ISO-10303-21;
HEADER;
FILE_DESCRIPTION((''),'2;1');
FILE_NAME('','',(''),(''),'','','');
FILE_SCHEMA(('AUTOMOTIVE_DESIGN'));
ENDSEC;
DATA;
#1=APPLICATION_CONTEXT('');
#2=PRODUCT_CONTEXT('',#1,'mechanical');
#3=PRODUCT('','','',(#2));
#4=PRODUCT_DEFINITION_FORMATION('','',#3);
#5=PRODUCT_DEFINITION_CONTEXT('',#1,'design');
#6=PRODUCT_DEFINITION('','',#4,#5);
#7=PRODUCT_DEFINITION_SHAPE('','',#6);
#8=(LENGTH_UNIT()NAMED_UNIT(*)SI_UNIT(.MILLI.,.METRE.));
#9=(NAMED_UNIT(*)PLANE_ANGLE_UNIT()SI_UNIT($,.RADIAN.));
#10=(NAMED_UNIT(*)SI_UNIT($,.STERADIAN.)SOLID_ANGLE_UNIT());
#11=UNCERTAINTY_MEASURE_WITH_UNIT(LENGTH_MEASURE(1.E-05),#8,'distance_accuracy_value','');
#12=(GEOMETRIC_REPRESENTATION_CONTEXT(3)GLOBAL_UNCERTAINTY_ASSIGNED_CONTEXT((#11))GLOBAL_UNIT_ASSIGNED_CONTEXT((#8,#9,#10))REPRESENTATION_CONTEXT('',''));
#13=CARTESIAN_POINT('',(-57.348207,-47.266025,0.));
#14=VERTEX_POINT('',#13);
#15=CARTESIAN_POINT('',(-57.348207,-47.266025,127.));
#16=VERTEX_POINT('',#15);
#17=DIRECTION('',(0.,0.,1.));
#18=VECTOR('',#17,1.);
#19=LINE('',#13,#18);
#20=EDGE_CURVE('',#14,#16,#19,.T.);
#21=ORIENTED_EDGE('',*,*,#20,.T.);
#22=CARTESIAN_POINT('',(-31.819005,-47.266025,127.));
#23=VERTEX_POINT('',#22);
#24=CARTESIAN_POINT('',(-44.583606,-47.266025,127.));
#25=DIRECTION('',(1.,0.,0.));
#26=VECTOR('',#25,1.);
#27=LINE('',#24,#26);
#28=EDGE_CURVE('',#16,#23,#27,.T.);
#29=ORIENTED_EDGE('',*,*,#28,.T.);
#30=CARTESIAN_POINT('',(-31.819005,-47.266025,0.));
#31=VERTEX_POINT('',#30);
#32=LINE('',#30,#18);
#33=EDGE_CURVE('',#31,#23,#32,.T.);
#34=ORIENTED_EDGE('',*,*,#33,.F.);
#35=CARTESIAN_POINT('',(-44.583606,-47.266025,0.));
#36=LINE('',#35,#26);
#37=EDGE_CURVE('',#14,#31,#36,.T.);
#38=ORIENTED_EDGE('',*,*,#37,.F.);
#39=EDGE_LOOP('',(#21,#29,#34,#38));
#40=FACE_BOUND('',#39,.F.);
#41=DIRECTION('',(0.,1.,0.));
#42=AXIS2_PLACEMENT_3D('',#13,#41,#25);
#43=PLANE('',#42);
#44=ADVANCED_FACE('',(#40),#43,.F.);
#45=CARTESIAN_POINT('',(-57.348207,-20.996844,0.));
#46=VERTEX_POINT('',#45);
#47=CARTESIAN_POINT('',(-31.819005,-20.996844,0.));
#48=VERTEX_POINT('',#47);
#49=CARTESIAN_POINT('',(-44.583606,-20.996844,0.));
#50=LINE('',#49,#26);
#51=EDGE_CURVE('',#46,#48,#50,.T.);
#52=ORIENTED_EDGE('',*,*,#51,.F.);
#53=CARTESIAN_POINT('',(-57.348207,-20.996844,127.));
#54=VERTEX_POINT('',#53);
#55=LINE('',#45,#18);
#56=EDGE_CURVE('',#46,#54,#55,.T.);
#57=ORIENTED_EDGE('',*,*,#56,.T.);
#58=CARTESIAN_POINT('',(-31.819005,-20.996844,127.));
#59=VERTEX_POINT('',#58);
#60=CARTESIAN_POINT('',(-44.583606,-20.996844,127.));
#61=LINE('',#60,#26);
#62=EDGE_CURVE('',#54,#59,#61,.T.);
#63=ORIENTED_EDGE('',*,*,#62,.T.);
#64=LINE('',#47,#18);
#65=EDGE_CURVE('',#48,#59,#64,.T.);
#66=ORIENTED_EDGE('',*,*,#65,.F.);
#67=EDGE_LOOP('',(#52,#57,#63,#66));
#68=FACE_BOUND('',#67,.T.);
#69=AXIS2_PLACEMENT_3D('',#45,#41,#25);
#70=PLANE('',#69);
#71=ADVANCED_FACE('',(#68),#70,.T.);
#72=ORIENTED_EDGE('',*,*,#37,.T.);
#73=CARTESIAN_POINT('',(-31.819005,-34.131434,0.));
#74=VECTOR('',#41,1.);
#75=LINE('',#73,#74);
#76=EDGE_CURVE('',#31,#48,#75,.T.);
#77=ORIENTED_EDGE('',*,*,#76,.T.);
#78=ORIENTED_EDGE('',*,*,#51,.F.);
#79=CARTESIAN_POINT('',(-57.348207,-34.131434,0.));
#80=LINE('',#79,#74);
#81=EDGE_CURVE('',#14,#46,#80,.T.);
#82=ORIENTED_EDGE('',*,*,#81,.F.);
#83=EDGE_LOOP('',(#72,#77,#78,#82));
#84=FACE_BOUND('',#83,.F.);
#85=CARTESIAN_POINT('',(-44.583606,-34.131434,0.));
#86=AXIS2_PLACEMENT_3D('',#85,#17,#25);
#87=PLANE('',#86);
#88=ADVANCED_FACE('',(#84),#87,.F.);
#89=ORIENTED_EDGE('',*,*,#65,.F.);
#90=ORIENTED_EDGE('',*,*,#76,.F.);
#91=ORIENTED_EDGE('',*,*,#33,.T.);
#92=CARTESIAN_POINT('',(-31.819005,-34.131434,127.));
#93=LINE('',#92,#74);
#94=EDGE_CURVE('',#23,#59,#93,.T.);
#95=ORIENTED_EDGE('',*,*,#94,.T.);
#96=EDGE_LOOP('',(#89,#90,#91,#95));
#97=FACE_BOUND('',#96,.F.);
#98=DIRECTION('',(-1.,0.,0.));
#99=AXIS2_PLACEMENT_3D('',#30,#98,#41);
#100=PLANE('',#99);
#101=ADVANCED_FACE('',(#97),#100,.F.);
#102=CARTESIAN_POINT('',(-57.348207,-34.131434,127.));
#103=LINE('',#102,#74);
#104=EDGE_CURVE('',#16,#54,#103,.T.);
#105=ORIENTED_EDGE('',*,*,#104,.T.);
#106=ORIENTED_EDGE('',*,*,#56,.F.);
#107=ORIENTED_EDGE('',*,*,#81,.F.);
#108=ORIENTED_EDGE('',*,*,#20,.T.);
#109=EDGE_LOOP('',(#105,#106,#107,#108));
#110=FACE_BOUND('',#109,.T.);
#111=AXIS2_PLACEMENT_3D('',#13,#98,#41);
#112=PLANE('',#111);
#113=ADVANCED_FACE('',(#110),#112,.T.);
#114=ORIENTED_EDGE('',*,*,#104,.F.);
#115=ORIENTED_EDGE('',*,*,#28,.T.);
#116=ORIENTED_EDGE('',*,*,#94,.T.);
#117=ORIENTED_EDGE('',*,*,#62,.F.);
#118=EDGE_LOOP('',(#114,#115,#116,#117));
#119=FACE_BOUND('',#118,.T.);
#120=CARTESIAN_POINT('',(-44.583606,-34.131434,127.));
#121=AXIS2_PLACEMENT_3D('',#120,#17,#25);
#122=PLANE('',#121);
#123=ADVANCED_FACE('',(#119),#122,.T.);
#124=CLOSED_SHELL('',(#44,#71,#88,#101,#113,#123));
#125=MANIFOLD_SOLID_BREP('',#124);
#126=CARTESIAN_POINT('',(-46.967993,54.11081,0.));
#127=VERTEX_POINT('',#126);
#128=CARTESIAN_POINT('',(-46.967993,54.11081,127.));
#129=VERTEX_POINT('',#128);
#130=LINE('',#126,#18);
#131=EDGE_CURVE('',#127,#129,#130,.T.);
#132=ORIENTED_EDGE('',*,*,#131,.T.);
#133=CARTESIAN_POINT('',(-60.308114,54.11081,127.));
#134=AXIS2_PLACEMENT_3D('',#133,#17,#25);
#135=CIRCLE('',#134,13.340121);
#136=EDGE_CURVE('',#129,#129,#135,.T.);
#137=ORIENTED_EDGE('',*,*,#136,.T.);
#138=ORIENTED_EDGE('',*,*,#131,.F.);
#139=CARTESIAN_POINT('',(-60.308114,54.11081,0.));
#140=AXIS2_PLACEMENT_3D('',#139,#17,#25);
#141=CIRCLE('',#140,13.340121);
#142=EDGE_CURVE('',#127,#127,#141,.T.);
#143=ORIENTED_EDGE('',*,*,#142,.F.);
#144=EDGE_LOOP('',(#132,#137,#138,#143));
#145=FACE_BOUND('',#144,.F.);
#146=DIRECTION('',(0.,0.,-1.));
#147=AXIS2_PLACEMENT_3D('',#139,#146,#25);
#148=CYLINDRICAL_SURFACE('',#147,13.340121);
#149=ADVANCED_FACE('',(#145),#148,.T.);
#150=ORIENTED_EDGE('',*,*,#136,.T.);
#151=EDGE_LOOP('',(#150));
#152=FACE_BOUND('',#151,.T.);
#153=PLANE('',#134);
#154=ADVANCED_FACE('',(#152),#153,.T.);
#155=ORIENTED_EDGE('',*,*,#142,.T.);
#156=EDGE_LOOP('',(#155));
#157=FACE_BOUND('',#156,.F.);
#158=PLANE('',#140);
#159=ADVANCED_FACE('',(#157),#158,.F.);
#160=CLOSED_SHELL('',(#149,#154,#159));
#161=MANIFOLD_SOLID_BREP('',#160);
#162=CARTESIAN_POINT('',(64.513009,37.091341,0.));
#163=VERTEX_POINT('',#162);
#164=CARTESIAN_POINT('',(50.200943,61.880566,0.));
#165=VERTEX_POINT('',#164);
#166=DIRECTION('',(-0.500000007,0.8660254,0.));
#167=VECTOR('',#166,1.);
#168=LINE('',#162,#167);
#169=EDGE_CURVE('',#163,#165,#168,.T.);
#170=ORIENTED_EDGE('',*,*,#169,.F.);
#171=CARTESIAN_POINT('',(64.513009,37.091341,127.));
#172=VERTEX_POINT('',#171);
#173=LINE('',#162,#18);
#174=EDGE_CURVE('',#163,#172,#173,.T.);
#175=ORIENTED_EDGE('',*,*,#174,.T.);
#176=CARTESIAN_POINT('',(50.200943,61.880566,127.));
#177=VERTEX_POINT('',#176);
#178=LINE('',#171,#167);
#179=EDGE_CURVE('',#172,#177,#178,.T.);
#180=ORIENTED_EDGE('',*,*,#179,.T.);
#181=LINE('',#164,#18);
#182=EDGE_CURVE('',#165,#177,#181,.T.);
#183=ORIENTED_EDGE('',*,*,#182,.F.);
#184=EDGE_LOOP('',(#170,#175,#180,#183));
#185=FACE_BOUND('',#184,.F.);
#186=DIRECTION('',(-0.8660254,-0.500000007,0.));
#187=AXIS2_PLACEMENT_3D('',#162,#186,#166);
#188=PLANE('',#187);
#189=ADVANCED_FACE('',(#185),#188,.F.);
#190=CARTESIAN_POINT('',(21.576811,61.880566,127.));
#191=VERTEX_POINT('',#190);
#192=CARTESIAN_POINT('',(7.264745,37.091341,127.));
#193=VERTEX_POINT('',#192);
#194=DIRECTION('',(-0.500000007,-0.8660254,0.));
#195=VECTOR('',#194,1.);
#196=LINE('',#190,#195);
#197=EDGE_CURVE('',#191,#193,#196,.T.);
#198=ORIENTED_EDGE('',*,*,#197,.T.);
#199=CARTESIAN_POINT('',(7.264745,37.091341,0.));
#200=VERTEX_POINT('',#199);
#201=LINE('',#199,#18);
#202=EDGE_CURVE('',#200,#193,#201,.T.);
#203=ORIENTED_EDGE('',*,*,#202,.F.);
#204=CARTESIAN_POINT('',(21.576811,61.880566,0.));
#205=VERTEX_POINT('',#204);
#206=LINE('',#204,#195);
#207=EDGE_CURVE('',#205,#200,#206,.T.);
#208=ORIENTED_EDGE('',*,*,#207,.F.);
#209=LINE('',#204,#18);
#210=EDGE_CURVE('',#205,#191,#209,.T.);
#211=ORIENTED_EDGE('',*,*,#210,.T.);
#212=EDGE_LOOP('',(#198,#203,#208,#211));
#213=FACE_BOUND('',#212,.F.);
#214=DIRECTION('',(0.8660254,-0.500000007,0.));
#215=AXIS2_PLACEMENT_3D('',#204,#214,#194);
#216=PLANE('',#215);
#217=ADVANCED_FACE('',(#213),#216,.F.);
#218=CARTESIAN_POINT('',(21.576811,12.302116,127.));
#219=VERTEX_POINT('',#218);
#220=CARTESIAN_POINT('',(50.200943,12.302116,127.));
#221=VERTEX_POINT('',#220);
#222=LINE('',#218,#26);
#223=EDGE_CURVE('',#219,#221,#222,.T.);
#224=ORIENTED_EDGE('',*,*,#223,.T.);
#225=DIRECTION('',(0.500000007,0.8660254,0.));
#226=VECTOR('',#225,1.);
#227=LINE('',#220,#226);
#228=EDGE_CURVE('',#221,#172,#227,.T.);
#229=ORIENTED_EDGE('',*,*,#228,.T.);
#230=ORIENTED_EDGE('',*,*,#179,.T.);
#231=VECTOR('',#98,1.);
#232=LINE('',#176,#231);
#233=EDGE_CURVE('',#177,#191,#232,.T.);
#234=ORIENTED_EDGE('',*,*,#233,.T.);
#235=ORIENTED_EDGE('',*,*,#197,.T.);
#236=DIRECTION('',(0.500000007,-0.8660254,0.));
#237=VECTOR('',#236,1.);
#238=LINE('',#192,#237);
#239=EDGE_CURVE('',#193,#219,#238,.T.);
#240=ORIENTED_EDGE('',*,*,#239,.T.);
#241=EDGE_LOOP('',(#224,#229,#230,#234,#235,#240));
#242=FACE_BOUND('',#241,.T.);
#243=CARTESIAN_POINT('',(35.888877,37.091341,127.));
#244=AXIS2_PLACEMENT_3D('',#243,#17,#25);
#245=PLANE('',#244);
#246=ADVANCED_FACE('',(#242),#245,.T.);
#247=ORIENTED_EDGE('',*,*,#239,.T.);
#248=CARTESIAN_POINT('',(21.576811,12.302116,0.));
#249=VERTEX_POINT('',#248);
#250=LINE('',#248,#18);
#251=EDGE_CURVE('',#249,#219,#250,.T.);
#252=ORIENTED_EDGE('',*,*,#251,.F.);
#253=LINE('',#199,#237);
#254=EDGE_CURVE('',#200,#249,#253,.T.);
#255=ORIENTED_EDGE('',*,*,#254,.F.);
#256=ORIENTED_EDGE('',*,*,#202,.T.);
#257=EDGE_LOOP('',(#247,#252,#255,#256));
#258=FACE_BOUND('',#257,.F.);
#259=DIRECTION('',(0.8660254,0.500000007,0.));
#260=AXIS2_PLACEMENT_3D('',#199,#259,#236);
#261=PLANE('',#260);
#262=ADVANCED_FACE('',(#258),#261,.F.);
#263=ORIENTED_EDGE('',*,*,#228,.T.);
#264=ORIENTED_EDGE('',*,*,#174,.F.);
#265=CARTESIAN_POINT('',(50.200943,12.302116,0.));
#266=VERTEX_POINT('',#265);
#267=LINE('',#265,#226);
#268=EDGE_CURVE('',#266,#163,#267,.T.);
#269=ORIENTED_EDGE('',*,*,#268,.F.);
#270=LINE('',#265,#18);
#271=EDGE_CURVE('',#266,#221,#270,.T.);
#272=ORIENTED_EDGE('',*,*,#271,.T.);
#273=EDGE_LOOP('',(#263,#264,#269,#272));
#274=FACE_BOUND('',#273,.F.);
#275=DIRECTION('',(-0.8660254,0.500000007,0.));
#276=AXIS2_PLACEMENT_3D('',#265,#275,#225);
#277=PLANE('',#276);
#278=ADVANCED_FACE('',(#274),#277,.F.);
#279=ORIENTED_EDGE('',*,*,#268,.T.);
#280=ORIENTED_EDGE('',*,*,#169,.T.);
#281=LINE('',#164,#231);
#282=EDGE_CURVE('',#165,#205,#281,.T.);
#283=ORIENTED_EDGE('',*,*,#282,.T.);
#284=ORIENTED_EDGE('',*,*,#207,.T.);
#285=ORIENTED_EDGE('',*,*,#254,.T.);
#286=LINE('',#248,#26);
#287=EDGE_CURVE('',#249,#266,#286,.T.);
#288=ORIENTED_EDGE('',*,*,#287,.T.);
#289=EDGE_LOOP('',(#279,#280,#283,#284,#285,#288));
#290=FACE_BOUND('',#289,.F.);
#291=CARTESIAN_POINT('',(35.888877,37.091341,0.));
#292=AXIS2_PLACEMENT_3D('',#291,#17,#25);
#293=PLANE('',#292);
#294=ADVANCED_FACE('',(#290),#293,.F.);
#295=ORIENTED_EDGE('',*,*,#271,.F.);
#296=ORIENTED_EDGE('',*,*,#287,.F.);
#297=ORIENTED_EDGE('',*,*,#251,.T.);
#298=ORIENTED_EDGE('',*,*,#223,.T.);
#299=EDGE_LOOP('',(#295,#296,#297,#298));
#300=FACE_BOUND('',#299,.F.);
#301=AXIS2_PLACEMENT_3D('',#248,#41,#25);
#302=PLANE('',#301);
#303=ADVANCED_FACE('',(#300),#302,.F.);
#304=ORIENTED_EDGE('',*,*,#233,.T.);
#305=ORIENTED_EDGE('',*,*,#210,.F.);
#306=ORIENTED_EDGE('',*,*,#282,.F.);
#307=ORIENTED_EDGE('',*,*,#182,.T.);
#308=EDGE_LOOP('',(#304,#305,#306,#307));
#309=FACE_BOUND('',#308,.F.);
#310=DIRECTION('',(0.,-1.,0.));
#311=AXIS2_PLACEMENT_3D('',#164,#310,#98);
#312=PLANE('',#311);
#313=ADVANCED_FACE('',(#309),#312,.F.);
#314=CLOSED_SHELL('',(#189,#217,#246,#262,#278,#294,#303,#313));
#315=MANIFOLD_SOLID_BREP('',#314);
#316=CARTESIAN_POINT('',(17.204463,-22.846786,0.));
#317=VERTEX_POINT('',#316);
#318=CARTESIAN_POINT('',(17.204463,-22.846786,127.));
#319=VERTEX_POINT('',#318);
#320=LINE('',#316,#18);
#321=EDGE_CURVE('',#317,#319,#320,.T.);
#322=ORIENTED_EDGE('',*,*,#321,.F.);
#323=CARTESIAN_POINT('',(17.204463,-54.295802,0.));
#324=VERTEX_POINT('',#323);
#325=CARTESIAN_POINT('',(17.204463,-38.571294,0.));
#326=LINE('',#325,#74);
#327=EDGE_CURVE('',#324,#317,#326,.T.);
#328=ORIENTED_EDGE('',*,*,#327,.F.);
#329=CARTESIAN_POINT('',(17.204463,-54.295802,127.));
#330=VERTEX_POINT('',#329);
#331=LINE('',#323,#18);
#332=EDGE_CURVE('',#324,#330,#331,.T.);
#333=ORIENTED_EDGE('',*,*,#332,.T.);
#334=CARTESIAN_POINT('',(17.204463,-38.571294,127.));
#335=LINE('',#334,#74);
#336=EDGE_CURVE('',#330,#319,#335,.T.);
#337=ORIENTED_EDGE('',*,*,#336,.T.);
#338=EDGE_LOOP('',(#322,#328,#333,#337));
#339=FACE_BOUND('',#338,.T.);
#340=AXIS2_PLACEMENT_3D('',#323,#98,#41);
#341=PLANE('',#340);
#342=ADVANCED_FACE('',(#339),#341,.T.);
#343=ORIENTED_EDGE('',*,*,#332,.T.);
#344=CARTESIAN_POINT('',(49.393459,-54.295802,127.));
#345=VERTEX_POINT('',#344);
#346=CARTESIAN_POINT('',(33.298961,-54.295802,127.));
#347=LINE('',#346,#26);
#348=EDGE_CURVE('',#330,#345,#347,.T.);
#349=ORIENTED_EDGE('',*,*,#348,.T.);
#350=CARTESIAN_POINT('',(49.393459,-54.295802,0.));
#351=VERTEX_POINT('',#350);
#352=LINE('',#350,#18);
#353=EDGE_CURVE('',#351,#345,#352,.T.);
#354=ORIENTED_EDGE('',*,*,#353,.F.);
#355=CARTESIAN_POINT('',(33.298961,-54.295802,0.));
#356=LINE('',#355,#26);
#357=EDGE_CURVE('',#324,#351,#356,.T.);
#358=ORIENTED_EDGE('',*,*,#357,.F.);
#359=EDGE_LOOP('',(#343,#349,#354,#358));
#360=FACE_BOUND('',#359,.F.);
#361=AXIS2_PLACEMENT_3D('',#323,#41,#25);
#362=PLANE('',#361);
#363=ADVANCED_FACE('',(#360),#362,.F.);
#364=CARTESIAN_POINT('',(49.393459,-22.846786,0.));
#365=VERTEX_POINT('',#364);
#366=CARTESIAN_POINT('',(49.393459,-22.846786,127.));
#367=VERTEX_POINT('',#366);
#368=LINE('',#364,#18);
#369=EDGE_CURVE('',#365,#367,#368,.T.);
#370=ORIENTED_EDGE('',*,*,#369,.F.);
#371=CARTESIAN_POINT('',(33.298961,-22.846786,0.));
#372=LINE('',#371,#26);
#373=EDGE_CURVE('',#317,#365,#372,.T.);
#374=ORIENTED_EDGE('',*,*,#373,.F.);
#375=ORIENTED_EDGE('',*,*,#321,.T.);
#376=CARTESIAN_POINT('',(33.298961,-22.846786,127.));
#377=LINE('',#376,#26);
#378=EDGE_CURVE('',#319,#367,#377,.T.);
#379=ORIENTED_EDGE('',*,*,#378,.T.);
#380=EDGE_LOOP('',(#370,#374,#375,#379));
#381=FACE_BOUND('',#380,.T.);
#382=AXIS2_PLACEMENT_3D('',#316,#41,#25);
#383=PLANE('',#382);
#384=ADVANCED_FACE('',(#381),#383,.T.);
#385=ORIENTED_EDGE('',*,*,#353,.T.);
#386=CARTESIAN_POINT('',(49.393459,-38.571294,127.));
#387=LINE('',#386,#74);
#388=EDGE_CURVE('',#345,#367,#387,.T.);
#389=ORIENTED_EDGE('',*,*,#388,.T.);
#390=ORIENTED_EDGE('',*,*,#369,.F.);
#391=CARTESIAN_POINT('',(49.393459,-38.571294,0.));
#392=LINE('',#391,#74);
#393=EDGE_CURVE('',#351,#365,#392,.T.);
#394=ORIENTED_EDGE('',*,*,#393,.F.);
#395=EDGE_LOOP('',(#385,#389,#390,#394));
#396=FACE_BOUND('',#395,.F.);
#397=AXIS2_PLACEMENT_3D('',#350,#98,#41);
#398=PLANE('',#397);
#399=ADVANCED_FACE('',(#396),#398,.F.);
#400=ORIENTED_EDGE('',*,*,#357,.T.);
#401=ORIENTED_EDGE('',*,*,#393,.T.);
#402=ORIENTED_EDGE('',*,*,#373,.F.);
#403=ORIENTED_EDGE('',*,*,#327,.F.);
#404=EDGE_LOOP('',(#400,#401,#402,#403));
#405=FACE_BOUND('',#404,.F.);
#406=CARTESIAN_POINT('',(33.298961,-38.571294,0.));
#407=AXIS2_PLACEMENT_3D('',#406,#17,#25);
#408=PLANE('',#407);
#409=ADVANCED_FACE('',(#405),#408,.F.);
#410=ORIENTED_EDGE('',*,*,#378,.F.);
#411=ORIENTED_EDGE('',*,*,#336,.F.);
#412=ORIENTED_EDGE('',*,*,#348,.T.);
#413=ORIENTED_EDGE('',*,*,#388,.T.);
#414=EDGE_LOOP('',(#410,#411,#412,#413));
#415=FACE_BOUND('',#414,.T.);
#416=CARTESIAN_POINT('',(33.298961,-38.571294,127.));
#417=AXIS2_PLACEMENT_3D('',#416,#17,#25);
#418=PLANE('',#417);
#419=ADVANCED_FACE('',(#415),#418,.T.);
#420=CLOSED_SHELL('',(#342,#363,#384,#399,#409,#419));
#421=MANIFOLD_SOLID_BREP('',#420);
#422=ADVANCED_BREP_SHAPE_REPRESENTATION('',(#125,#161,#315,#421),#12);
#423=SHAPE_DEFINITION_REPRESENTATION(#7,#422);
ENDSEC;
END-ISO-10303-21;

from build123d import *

# Parameters (mm, degrees)
F0_R     = 13.340121
F0_W     = 32.188997
F0_H     = 31.449016
F0_W_2   = 25.529202
F0_H_2   = 26.269181
F1_DEPTH = 127


with BuildPart() as f1:
    # F0 (on Top) → F1 (new body)
    with BuildSketch(Plane.XY):
        with Locations((-60.308114, 54.11081)):
            Circle(F0_R)
        with Locations((33.298961, -38.571294)):
            Rectangle(F0_W, F0_H)
        with Locations((-44.583606, -34.131434)):
            Rectangle(F0_W_2, F0_H_2)
        Polygon((50.200943, 61.880566), (21.576811, 61.880566), (7.264745, 37.091341), (21.576811, 12.302116), (50.200943, 12.302116), (64.513009, 37.091341), align=None)
    extrude(amount=F1_DEPTH)


solid = f1.part
